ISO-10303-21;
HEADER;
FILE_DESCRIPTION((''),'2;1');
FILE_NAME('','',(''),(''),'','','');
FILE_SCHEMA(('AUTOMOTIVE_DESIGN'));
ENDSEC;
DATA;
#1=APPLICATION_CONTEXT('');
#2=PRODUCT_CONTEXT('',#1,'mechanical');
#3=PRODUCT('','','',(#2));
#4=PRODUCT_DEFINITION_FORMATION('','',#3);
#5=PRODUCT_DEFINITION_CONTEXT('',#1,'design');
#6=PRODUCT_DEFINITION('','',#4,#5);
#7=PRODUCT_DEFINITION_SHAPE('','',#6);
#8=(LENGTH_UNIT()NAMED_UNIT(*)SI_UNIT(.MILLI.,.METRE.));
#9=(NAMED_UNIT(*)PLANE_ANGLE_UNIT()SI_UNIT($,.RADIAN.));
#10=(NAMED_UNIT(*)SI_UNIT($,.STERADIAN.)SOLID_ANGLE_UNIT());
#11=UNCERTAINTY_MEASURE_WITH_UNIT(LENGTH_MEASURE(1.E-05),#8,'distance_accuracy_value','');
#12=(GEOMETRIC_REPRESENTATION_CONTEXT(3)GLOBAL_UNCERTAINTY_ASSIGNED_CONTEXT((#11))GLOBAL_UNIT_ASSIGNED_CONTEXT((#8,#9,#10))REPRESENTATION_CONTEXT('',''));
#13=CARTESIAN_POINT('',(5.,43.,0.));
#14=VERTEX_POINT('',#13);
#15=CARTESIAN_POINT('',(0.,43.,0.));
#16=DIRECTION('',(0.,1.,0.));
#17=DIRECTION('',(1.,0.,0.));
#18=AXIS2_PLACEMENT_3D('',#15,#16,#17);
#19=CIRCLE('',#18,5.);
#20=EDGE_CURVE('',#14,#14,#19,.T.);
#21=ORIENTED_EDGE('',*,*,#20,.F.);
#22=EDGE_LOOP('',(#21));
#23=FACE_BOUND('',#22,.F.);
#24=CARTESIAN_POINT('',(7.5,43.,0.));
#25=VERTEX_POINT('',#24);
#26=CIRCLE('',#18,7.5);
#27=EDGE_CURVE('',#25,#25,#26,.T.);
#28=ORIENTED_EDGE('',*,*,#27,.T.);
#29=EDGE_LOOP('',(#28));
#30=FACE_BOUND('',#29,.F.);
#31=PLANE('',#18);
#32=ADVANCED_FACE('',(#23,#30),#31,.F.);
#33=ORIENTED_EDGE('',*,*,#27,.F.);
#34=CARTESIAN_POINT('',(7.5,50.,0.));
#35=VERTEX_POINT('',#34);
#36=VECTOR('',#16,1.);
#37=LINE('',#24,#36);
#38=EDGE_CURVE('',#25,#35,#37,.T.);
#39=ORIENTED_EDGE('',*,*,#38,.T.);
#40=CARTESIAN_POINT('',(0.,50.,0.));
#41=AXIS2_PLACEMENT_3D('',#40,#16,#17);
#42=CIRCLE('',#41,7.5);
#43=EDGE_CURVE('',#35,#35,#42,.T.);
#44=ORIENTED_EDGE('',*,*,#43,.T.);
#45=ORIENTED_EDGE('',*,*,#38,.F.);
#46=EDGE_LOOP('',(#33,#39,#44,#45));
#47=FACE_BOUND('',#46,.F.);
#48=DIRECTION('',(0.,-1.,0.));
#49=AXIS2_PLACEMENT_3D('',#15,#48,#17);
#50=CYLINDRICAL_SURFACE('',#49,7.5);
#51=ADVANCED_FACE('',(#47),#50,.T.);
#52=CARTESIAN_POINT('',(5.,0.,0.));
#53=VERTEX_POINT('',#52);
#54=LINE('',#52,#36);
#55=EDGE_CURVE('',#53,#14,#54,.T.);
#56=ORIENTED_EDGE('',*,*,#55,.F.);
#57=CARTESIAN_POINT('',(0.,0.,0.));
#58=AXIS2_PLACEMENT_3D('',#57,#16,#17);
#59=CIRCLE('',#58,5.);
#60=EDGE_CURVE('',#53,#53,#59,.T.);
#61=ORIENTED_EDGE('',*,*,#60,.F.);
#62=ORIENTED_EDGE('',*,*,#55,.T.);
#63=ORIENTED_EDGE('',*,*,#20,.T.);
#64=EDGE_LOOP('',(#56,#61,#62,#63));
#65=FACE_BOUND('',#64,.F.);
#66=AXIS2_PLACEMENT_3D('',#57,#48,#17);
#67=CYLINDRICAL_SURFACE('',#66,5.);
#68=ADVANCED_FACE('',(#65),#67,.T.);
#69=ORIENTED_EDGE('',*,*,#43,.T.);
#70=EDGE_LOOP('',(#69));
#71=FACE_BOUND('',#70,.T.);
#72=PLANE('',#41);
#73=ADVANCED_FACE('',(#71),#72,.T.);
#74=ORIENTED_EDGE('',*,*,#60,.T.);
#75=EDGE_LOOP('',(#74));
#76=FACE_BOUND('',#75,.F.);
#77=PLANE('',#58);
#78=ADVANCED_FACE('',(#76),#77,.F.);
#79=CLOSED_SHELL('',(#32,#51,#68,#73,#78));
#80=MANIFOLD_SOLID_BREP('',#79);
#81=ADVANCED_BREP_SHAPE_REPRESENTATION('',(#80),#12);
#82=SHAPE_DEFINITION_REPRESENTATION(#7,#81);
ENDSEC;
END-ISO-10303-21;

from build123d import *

# Parameters (mm, degrees)
SKETCH1_R           = 5
BOSS_EXTRUDE1_DEPTH = 43
SKETCH2_R           = 7.5
BOSS_EXTRUDE2_DEPTH = 7


with BuildPart() as part:
    # Sketch1 → Boss-Extrude1 (new body)
    with BuildSketch(Plane(origin=(0, 0, 0), x_dir=(1, 0, 0), z_dir=(0, 1, 0))):
        Circle(SKETCH1_R)
    extrude(amount=BOSS_EXTRUDE1_DEPTH)

    # Sketch2 → Boss-Extrude2 (add)
    with BuildSketch(Plane(origin=(0, 43, 0), x_dir=(1, 0, 0), z_dir=(0, 1, 0))):
        Circle(SKETCH2_R)
    extrude(amount=BOSS_EXTRUDE2_DEPTH)


solid = part.part
